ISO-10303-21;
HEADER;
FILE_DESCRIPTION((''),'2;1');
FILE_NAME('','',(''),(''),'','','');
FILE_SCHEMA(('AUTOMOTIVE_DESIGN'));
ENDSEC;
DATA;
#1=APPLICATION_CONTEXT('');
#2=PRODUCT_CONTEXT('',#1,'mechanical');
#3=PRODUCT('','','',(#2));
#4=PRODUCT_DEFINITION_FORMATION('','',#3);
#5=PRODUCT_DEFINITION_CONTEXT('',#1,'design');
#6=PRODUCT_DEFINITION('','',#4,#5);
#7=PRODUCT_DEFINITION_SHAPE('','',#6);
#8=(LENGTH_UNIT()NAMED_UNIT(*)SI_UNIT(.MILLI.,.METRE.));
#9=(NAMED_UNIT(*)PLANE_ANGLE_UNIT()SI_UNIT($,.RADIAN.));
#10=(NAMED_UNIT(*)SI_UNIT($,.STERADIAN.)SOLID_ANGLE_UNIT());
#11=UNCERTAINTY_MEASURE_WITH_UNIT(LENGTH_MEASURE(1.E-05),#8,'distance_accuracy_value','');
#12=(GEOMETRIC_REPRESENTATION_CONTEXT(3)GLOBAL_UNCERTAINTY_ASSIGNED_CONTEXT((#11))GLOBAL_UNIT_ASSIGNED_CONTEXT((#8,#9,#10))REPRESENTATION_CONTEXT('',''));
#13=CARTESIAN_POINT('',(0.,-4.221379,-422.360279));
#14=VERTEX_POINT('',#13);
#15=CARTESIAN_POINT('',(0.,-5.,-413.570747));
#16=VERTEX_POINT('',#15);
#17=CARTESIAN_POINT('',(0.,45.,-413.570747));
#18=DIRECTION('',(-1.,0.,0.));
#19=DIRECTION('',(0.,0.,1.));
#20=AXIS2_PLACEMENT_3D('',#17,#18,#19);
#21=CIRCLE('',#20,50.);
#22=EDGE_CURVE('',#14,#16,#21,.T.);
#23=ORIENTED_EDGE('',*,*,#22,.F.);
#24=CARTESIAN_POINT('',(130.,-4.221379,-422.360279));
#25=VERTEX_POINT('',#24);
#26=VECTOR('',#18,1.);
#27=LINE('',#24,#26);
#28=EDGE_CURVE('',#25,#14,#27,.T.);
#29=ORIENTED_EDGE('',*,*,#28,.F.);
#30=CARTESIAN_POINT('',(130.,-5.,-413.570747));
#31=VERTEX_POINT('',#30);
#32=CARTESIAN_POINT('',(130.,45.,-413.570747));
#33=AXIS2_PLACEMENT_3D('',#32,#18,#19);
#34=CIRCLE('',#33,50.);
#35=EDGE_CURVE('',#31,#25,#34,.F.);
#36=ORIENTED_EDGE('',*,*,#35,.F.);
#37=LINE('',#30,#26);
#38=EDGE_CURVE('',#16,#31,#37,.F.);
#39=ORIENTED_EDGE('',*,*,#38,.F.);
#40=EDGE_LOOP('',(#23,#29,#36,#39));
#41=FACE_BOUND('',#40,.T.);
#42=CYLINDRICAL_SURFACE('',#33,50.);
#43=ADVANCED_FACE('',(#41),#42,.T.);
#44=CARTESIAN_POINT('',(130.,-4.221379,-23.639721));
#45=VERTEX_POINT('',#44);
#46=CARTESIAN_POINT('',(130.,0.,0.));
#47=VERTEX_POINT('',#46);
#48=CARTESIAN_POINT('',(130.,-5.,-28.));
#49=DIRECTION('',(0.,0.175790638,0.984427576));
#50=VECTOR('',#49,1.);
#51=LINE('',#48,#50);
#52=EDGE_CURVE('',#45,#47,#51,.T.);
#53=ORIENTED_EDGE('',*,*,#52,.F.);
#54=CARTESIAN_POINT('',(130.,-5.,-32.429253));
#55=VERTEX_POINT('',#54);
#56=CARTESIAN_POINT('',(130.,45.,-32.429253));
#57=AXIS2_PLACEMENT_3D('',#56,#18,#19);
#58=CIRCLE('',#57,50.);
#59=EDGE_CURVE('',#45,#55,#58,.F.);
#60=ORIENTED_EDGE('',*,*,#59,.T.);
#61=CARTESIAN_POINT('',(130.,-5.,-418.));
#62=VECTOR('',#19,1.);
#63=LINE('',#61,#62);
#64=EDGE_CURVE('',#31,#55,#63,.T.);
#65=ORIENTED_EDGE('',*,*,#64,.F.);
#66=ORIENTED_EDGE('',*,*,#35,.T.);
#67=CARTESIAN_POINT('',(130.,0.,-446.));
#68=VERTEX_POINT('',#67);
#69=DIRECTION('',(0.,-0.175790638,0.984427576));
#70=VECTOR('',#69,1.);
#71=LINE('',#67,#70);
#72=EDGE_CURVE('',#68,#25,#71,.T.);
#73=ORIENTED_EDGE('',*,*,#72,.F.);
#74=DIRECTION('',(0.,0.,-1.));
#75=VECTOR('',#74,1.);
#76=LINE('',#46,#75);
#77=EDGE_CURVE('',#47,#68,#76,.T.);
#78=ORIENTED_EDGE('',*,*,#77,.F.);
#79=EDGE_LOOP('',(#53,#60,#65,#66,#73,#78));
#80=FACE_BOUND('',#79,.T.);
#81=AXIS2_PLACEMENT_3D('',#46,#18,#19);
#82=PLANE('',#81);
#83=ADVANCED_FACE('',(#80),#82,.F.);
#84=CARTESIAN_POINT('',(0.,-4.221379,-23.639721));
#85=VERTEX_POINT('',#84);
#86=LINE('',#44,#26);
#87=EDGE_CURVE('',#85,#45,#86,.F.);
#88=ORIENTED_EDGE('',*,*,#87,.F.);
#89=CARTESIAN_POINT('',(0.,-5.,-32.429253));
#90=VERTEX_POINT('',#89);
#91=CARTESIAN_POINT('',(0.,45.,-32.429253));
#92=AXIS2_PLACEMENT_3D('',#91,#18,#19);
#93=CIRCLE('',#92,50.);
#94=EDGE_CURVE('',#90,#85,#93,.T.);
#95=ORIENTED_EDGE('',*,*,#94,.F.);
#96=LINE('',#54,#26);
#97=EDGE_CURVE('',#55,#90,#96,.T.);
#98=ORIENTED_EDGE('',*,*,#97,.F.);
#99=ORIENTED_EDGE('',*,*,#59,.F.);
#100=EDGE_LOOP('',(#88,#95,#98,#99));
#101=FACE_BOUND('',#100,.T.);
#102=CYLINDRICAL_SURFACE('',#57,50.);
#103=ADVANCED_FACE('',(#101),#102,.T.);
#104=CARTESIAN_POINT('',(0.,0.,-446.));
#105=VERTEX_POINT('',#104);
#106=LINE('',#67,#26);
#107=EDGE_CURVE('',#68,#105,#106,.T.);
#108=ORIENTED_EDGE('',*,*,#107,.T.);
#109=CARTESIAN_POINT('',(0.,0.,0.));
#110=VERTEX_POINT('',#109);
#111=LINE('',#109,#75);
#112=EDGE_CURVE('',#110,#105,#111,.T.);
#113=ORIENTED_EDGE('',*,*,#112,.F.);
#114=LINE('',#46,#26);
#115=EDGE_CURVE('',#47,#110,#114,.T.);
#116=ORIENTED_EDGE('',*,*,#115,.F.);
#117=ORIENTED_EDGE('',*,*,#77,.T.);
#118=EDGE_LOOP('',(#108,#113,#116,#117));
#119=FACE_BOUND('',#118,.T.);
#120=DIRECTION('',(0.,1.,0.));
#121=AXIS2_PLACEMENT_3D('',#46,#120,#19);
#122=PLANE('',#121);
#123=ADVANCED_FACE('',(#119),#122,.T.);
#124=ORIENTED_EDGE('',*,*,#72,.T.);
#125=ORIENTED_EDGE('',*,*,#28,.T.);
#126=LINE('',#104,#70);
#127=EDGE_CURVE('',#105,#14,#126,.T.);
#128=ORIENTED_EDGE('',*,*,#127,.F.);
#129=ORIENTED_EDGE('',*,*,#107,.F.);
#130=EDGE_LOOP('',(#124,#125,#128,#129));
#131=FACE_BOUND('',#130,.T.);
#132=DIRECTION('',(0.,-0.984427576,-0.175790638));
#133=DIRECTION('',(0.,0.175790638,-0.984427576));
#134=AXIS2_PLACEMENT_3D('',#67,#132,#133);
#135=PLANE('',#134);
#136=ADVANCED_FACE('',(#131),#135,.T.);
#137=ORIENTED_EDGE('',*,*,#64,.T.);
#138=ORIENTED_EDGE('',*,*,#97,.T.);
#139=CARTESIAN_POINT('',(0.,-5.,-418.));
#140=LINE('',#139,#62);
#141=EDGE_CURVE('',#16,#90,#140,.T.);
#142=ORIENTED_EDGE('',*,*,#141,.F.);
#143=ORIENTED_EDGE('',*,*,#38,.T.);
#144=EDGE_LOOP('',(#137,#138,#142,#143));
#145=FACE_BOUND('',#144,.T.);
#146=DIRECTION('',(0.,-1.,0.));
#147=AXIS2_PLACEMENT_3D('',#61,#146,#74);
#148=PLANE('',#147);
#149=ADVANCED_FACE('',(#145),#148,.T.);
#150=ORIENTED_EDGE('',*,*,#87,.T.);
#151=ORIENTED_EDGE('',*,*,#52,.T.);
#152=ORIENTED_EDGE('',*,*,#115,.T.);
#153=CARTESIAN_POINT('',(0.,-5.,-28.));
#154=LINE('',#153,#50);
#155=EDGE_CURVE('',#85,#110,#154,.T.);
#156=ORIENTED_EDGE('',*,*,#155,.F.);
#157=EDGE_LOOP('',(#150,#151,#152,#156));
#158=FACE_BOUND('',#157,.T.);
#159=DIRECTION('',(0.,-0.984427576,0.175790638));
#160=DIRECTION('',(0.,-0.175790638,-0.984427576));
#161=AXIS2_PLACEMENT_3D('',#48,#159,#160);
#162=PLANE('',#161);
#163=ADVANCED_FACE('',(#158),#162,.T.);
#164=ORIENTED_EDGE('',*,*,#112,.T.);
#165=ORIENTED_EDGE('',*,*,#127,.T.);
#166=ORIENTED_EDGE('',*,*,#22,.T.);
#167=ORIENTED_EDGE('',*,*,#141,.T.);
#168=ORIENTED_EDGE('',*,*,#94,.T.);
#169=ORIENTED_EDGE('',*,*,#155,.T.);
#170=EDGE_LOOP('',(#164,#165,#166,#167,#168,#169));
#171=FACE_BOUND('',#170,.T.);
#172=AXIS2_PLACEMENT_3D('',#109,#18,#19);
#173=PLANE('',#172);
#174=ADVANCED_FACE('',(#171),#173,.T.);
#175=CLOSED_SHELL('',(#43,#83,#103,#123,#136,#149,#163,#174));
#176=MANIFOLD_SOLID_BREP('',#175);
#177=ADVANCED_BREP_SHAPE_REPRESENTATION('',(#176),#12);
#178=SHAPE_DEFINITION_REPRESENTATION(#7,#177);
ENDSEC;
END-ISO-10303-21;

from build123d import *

# Parameters (mm, degrees)
BOSS_EXTRUDE1_DEPTH = 130
FILLET1_R           = 50


with BuildPart() as part:
    # Sketch1 → Boss-Extrude1 (new body)
    with BuildSketch(Plane(origin=(0, 0, 0), x_dir=(0, 0, -1), z_dir=(1, 0, 0))):
        Polygon((0, 0), (446, 0), (418, -5), (28, -5), align=None)
    extrude(amount=BOSS_EXTRUDE1_DEPTH)

    # Fillet1
    fillet1_edges = [part.edges().sort_by_distance(p)[0] for p in [
        (65, -5, -28),
        (65, -5, -418),
    ]]
    fillet(fillet1_edges, radius=FILLET1_R)


solid = part.part
